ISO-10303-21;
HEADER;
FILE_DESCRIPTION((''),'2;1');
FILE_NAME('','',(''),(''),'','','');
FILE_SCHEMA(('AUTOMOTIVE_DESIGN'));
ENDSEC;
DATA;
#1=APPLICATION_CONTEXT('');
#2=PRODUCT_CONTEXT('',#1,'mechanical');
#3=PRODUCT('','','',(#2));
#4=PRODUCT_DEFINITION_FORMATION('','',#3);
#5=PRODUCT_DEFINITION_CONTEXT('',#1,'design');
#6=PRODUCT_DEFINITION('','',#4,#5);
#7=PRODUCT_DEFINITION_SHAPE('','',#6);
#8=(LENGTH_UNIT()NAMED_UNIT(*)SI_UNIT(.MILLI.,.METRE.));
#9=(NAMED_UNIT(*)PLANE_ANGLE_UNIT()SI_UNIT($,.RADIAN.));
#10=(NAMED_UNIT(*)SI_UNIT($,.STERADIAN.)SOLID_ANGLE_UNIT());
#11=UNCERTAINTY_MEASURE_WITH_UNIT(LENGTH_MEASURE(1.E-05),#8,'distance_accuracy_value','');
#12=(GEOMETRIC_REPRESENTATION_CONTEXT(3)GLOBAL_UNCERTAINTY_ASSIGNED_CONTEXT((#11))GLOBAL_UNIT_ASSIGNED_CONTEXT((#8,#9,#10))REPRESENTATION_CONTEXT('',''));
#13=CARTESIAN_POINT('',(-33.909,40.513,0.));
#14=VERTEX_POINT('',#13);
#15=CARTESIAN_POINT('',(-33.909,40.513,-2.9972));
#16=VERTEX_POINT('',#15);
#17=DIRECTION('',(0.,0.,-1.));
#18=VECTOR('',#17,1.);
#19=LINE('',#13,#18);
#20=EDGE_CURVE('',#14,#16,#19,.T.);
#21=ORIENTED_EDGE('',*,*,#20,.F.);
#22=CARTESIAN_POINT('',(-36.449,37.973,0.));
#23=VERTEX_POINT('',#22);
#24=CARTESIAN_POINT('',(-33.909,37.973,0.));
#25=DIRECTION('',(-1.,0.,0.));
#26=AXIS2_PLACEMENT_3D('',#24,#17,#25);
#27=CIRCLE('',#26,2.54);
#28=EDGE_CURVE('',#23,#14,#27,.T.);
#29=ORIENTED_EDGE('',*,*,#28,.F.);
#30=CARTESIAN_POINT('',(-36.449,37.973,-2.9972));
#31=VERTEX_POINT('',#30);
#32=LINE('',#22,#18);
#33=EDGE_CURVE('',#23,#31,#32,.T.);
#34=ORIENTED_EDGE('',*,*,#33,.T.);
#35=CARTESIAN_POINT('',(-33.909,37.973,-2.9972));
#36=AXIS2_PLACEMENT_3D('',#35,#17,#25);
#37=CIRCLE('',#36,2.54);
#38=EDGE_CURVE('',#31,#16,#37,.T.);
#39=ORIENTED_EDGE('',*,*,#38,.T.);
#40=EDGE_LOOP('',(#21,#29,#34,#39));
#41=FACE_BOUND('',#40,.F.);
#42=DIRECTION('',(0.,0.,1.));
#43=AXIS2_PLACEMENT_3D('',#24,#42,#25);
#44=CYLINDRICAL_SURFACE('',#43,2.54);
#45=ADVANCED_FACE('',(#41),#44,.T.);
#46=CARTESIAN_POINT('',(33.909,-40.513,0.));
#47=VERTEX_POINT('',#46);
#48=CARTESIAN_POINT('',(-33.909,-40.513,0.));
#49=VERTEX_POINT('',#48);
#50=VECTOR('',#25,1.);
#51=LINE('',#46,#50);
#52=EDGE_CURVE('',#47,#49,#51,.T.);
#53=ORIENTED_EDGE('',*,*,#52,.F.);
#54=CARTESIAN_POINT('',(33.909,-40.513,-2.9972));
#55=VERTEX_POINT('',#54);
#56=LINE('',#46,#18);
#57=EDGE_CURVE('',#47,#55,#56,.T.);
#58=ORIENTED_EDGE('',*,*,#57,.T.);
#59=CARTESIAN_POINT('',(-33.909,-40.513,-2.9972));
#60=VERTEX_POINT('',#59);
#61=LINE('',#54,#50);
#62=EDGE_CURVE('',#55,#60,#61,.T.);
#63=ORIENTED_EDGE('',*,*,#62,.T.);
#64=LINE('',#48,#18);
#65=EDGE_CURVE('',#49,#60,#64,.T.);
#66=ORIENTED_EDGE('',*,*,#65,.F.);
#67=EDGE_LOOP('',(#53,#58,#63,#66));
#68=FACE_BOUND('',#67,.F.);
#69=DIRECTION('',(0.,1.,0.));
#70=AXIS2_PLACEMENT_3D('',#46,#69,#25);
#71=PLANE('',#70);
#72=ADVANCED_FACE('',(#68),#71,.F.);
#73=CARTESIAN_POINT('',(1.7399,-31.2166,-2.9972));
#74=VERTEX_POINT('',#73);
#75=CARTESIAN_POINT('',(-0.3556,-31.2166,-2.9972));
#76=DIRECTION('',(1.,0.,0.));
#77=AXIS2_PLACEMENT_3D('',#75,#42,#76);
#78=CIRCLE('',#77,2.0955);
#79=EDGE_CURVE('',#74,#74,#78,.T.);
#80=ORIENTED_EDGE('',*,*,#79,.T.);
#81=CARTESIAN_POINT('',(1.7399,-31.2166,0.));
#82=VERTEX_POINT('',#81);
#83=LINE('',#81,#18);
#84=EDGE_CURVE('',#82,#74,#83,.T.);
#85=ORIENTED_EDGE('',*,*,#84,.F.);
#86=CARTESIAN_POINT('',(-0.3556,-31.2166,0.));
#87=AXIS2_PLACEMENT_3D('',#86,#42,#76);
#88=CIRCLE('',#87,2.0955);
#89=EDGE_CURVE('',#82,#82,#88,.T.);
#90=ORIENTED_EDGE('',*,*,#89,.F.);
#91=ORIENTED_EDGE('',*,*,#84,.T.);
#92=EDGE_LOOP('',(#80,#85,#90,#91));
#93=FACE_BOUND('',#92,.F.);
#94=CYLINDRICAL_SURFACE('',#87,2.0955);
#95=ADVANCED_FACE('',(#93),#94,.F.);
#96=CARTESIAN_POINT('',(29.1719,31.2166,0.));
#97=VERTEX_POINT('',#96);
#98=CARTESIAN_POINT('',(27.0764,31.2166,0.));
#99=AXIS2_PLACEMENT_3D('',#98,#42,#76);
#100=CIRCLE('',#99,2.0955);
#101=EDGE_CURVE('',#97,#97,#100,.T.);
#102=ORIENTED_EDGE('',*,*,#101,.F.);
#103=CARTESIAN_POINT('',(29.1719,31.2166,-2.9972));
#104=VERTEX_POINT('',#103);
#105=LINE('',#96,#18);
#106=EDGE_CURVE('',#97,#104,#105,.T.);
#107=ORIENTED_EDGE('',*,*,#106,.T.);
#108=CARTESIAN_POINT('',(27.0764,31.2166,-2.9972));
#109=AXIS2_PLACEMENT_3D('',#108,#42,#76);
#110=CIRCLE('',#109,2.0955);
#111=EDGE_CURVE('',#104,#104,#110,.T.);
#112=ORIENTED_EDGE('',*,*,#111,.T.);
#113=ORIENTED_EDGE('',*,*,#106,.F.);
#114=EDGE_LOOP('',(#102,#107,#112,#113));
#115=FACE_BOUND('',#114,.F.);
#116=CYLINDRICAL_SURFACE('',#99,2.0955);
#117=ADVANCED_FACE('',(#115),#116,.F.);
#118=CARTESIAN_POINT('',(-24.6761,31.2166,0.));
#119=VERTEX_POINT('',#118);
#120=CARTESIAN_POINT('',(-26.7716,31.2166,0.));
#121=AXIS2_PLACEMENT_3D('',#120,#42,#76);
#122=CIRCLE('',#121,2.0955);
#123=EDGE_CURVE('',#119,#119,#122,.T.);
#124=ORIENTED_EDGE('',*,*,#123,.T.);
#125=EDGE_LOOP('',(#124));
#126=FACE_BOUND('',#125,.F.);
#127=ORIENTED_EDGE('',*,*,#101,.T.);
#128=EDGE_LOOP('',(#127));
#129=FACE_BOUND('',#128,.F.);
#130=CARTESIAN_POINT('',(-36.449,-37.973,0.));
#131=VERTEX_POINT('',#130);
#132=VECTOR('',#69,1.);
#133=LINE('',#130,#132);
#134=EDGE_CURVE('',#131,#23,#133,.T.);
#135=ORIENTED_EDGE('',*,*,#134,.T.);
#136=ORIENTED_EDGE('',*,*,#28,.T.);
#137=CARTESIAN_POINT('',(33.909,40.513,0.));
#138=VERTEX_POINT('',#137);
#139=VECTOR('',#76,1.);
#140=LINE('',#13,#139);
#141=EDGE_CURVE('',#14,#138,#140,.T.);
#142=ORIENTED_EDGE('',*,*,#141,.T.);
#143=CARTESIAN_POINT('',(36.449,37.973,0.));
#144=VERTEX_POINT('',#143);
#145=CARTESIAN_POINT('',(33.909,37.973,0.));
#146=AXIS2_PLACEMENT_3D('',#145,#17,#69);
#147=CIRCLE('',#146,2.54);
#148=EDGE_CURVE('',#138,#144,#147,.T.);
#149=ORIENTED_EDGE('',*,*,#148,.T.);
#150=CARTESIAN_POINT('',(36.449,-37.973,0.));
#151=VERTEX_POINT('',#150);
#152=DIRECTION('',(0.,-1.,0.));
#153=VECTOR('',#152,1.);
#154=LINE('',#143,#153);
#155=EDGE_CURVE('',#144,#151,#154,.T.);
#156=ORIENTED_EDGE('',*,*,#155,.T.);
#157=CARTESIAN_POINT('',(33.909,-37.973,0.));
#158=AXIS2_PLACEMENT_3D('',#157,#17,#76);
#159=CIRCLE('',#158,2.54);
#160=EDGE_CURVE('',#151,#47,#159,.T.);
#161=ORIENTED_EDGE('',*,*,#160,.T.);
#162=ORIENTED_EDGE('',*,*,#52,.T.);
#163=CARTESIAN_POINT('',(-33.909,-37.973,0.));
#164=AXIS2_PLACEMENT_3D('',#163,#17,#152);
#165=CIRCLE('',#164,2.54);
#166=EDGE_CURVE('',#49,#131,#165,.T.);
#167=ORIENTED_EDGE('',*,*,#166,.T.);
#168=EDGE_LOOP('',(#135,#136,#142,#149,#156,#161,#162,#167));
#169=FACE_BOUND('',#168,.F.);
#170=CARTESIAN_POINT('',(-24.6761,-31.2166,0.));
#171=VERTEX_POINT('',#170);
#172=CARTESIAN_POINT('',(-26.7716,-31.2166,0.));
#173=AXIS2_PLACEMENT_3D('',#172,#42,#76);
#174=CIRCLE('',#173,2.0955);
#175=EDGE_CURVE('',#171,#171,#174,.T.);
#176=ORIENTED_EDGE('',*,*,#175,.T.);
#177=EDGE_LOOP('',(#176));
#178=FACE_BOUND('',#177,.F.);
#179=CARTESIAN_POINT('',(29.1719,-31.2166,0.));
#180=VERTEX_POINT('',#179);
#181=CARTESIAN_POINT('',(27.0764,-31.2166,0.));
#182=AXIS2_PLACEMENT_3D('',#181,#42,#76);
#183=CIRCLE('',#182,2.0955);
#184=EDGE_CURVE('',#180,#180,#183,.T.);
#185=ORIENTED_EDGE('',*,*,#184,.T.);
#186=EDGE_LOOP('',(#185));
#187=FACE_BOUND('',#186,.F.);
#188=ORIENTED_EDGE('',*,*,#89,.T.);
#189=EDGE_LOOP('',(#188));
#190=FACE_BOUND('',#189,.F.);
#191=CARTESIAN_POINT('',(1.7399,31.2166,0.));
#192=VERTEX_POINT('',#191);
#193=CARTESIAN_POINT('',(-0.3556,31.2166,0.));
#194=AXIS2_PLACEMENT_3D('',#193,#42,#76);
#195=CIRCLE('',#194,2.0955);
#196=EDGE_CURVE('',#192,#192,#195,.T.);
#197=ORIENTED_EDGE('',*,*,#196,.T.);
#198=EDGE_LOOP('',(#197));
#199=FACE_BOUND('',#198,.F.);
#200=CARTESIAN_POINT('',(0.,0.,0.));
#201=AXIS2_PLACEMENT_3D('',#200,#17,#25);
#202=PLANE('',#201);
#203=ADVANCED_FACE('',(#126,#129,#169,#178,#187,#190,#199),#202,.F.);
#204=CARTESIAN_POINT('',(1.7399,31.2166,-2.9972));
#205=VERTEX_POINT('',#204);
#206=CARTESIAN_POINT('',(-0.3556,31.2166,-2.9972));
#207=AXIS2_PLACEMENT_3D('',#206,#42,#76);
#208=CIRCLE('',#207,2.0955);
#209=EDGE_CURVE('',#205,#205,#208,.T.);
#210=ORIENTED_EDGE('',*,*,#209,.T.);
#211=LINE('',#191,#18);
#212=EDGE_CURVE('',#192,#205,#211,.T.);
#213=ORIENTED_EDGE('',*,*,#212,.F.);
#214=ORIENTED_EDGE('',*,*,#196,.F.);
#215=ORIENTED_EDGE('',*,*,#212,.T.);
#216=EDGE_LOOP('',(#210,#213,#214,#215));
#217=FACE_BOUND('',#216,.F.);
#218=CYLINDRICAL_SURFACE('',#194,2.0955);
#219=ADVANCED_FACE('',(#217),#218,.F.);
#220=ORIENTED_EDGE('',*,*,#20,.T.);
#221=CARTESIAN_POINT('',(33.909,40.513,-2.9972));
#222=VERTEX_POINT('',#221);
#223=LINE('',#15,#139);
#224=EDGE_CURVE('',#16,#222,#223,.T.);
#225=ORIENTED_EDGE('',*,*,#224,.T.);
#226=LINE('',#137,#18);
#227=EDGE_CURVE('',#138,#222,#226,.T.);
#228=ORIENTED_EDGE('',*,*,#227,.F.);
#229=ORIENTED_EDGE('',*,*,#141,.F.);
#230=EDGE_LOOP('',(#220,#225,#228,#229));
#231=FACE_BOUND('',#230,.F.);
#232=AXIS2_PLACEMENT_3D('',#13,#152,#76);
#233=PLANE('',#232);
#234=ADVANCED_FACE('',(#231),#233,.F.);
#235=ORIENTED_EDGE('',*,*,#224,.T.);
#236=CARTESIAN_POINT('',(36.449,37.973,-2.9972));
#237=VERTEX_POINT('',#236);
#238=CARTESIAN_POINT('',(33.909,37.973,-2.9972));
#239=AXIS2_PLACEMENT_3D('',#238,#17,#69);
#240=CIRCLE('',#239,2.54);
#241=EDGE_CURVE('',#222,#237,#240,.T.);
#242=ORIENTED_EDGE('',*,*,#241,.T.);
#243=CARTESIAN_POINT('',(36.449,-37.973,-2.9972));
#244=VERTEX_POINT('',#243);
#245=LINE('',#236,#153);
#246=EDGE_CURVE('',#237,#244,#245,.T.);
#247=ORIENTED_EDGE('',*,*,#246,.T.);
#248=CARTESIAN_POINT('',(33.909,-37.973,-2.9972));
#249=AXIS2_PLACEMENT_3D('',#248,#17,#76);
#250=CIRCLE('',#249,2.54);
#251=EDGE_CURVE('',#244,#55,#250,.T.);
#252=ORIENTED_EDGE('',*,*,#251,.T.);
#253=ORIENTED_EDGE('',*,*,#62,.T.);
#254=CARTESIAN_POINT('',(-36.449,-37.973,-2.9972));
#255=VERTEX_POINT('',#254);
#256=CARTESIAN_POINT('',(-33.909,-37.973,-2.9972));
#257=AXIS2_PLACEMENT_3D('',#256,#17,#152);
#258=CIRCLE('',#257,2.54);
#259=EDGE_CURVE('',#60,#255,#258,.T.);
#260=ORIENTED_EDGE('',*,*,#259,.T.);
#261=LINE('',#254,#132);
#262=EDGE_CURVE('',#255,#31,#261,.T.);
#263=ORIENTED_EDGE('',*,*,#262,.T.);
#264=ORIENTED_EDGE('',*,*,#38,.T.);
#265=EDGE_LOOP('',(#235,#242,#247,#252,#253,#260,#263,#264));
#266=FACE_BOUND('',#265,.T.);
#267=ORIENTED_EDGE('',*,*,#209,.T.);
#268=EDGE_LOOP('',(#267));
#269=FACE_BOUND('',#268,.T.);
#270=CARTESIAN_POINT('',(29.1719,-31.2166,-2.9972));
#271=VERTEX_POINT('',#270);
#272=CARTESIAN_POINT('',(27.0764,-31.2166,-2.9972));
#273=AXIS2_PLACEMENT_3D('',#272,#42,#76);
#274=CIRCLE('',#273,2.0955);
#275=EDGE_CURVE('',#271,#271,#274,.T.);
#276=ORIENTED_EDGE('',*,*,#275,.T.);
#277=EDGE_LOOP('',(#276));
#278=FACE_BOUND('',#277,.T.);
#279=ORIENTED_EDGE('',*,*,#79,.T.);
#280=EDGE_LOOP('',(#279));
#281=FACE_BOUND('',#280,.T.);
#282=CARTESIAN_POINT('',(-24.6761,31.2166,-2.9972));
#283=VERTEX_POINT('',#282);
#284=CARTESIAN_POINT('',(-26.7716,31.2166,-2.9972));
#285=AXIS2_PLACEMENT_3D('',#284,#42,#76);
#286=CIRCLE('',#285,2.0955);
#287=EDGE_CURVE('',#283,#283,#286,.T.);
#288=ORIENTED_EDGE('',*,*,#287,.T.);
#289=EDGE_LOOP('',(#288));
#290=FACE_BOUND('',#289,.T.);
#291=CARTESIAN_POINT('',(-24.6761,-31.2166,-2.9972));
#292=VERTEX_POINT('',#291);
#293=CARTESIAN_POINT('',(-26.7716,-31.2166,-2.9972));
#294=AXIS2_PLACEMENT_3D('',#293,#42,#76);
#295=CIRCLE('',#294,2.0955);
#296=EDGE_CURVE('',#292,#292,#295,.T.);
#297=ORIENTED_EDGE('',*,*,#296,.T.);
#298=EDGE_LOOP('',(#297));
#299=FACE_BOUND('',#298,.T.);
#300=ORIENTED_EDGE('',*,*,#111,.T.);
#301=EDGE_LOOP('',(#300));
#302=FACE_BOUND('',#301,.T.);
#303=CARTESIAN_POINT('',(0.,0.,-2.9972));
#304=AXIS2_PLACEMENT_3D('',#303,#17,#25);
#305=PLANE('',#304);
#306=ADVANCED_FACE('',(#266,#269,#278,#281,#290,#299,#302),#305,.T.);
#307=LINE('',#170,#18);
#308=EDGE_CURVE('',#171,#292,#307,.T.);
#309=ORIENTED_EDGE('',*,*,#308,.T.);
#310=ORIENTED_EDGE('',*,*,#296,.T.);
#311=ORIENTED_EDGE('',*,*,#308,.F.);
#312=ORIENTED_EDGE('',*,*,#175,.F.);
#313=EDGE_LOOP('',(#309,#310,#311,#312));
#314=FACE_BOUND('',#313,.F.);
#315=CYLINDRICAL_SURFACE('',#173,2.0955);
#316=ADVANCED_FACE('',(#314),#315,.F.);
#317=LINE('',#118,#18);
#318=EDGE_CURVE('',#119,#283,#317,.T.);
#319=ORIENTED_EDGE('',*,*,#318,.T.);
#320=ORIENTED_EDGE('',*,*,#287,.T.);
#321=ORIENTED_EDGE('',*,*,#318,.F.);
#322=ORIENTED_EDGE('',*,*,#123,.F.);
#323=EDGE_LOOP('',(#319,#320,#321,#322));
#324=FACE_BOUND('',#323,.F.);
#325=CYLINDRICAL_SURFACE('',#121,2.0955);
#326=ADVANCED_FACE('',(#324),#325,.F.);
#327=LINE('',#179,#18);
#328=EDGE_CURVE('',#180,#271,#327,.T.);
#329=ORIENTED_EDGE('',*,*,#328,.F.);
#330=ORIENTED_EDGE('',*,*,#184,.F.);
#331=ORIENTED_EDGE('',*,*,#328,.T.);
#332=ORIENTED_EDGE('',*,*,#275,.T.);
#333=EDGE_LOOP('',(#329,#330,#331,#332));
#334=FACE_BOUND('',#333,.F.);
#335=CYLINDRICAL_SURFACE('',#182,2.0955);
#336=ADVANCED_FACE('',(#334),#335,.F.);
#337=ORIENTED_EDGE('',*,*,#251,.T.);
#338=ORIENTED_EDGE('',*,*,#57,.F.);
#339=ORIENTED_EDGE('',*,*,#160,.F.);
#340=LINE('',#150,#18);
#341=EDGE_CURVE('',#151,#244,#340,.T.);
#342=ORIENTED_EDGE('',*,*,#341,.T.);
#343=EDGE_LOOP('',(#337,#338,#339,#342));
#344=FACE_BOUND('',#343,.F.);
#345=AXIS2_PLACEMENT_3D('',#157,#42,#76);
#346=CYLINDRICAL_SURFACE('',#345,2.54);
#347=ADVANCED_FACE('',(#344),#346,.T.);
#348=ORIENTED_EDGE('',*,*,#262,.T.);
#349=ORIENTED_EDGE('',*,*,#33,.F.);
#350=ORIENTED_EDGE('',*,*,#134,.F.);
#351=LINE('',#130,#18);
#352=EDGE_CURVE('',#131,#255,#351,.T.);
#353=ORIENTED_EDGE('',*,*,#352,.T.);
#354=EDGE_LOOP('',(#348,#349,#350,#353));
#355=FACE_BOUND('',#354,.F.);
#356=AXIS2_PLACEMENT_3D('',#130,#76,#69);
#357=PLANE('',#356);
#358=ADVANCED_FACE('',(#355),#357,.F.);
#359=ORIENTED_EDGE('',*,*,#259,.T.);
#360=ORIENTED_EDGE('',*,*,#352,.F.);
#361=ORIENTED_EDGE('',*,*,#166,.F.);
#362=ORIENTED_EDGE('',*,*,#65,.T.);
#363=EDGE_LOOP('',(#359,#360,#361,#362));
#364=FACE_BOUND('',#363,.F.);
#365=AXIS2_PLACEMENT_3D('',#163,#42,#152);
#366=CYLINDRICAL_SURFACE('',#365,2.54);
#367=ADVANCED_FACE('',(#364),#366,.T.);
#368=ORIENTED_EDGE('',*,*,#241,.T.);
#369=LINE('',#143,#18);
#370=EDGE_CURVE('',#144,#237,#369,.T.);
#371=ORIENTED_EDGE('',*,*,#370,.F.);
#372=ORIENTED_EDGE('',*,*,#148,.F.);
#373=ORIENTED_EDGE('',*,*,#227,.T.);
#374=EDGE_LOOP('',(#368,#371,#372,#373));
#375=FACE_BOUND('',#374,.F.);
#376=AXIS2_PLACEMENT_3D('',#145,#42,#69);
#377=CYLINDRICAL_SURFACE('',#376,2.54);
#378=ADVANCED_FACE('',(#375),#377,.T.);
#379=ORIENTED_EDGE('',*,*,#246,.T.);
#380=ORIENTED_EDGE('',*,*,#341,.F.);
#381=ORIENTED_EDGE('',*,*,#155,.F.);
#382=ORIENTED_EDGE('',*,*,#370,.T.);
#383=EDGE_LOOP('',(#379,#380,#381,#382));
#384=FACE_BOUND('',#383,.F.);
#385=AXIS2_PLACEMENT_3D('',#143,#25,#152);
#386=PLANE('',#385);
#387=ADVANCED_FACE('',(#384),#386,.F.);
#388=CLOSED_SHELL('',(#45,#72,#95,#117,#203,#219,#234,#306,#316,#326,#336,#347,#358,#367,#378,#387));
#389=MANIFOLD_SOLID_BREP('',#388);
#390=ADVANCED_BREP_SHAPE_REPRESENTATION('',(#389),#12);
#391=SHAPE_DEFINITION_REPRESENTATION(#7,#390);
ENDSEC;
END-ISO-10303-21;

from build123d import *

# Parameters (mm, degrees)
BOSS_EXTRUDE1_DEPTH = 2.9972
SKETCH3_R           = 2.0955
CUT_EXTRUDE1_DEPTH  = 55.578530374


with BuildPart() as part:
    # Sketch2 → Boss-Extrude1 (new body)
    with BuildSketch(Plane.XY):
        with BuildLine():
            Line((-36.449, -37.973), (-36.449, 37.973))
            ThreePointArc((-36.449, 37.973), (-35.705051224, 39.769051224), (-33.909, 40.513))
            Line((-33.909, 40.513), (33.909, 40.513))
            ThreePointArc((33.909, 40.513), (35.705051224, 39.769051224), (36.449, 37.973))
            Line((36.449, 37.973), (36.449, -37.973))
            ThreePointArc((36.449, -37.973), (35.705051224, -39.769051224), (33.909, -40.513))
            Line((33.909, -40.513), (-33.909, -40.513))
            ThreePointArc((-33.909, -40.513), (-35.705051224, -39.769051224), (-36.449, -37.973))
        make_face()
    extrude(amount=-BOSS_EXTRUDE1_DEPTH)

    # Sketch3 → Cut-Extrude1 (cut, through all)
    with BuildSketch(Plane.XY):
        with Locations((-26.7716, 31.2166)):
            Circle(SKETCH3_R)
        with Locations((-0.3556, 31.2166)):
            Circle(SKETCH3_R)
        with Locations((27.0764, 31.2166)):
            Circle(SKETCH3_R)
        with Locations((27.0764, -31.2166)):
            Circle(SKETCH3_R)
        with Locations((-0.3556, -31.2166)):
            Circle(SKETCH3_R)
        with Locations((-26.7716, -31.2166)):
            Circle(SKETCH3_R)
    extrude(amount=-CUT_EXTRUDE1_DEPTH, mode=Mode.SUBTRACT)


solid = part.part
